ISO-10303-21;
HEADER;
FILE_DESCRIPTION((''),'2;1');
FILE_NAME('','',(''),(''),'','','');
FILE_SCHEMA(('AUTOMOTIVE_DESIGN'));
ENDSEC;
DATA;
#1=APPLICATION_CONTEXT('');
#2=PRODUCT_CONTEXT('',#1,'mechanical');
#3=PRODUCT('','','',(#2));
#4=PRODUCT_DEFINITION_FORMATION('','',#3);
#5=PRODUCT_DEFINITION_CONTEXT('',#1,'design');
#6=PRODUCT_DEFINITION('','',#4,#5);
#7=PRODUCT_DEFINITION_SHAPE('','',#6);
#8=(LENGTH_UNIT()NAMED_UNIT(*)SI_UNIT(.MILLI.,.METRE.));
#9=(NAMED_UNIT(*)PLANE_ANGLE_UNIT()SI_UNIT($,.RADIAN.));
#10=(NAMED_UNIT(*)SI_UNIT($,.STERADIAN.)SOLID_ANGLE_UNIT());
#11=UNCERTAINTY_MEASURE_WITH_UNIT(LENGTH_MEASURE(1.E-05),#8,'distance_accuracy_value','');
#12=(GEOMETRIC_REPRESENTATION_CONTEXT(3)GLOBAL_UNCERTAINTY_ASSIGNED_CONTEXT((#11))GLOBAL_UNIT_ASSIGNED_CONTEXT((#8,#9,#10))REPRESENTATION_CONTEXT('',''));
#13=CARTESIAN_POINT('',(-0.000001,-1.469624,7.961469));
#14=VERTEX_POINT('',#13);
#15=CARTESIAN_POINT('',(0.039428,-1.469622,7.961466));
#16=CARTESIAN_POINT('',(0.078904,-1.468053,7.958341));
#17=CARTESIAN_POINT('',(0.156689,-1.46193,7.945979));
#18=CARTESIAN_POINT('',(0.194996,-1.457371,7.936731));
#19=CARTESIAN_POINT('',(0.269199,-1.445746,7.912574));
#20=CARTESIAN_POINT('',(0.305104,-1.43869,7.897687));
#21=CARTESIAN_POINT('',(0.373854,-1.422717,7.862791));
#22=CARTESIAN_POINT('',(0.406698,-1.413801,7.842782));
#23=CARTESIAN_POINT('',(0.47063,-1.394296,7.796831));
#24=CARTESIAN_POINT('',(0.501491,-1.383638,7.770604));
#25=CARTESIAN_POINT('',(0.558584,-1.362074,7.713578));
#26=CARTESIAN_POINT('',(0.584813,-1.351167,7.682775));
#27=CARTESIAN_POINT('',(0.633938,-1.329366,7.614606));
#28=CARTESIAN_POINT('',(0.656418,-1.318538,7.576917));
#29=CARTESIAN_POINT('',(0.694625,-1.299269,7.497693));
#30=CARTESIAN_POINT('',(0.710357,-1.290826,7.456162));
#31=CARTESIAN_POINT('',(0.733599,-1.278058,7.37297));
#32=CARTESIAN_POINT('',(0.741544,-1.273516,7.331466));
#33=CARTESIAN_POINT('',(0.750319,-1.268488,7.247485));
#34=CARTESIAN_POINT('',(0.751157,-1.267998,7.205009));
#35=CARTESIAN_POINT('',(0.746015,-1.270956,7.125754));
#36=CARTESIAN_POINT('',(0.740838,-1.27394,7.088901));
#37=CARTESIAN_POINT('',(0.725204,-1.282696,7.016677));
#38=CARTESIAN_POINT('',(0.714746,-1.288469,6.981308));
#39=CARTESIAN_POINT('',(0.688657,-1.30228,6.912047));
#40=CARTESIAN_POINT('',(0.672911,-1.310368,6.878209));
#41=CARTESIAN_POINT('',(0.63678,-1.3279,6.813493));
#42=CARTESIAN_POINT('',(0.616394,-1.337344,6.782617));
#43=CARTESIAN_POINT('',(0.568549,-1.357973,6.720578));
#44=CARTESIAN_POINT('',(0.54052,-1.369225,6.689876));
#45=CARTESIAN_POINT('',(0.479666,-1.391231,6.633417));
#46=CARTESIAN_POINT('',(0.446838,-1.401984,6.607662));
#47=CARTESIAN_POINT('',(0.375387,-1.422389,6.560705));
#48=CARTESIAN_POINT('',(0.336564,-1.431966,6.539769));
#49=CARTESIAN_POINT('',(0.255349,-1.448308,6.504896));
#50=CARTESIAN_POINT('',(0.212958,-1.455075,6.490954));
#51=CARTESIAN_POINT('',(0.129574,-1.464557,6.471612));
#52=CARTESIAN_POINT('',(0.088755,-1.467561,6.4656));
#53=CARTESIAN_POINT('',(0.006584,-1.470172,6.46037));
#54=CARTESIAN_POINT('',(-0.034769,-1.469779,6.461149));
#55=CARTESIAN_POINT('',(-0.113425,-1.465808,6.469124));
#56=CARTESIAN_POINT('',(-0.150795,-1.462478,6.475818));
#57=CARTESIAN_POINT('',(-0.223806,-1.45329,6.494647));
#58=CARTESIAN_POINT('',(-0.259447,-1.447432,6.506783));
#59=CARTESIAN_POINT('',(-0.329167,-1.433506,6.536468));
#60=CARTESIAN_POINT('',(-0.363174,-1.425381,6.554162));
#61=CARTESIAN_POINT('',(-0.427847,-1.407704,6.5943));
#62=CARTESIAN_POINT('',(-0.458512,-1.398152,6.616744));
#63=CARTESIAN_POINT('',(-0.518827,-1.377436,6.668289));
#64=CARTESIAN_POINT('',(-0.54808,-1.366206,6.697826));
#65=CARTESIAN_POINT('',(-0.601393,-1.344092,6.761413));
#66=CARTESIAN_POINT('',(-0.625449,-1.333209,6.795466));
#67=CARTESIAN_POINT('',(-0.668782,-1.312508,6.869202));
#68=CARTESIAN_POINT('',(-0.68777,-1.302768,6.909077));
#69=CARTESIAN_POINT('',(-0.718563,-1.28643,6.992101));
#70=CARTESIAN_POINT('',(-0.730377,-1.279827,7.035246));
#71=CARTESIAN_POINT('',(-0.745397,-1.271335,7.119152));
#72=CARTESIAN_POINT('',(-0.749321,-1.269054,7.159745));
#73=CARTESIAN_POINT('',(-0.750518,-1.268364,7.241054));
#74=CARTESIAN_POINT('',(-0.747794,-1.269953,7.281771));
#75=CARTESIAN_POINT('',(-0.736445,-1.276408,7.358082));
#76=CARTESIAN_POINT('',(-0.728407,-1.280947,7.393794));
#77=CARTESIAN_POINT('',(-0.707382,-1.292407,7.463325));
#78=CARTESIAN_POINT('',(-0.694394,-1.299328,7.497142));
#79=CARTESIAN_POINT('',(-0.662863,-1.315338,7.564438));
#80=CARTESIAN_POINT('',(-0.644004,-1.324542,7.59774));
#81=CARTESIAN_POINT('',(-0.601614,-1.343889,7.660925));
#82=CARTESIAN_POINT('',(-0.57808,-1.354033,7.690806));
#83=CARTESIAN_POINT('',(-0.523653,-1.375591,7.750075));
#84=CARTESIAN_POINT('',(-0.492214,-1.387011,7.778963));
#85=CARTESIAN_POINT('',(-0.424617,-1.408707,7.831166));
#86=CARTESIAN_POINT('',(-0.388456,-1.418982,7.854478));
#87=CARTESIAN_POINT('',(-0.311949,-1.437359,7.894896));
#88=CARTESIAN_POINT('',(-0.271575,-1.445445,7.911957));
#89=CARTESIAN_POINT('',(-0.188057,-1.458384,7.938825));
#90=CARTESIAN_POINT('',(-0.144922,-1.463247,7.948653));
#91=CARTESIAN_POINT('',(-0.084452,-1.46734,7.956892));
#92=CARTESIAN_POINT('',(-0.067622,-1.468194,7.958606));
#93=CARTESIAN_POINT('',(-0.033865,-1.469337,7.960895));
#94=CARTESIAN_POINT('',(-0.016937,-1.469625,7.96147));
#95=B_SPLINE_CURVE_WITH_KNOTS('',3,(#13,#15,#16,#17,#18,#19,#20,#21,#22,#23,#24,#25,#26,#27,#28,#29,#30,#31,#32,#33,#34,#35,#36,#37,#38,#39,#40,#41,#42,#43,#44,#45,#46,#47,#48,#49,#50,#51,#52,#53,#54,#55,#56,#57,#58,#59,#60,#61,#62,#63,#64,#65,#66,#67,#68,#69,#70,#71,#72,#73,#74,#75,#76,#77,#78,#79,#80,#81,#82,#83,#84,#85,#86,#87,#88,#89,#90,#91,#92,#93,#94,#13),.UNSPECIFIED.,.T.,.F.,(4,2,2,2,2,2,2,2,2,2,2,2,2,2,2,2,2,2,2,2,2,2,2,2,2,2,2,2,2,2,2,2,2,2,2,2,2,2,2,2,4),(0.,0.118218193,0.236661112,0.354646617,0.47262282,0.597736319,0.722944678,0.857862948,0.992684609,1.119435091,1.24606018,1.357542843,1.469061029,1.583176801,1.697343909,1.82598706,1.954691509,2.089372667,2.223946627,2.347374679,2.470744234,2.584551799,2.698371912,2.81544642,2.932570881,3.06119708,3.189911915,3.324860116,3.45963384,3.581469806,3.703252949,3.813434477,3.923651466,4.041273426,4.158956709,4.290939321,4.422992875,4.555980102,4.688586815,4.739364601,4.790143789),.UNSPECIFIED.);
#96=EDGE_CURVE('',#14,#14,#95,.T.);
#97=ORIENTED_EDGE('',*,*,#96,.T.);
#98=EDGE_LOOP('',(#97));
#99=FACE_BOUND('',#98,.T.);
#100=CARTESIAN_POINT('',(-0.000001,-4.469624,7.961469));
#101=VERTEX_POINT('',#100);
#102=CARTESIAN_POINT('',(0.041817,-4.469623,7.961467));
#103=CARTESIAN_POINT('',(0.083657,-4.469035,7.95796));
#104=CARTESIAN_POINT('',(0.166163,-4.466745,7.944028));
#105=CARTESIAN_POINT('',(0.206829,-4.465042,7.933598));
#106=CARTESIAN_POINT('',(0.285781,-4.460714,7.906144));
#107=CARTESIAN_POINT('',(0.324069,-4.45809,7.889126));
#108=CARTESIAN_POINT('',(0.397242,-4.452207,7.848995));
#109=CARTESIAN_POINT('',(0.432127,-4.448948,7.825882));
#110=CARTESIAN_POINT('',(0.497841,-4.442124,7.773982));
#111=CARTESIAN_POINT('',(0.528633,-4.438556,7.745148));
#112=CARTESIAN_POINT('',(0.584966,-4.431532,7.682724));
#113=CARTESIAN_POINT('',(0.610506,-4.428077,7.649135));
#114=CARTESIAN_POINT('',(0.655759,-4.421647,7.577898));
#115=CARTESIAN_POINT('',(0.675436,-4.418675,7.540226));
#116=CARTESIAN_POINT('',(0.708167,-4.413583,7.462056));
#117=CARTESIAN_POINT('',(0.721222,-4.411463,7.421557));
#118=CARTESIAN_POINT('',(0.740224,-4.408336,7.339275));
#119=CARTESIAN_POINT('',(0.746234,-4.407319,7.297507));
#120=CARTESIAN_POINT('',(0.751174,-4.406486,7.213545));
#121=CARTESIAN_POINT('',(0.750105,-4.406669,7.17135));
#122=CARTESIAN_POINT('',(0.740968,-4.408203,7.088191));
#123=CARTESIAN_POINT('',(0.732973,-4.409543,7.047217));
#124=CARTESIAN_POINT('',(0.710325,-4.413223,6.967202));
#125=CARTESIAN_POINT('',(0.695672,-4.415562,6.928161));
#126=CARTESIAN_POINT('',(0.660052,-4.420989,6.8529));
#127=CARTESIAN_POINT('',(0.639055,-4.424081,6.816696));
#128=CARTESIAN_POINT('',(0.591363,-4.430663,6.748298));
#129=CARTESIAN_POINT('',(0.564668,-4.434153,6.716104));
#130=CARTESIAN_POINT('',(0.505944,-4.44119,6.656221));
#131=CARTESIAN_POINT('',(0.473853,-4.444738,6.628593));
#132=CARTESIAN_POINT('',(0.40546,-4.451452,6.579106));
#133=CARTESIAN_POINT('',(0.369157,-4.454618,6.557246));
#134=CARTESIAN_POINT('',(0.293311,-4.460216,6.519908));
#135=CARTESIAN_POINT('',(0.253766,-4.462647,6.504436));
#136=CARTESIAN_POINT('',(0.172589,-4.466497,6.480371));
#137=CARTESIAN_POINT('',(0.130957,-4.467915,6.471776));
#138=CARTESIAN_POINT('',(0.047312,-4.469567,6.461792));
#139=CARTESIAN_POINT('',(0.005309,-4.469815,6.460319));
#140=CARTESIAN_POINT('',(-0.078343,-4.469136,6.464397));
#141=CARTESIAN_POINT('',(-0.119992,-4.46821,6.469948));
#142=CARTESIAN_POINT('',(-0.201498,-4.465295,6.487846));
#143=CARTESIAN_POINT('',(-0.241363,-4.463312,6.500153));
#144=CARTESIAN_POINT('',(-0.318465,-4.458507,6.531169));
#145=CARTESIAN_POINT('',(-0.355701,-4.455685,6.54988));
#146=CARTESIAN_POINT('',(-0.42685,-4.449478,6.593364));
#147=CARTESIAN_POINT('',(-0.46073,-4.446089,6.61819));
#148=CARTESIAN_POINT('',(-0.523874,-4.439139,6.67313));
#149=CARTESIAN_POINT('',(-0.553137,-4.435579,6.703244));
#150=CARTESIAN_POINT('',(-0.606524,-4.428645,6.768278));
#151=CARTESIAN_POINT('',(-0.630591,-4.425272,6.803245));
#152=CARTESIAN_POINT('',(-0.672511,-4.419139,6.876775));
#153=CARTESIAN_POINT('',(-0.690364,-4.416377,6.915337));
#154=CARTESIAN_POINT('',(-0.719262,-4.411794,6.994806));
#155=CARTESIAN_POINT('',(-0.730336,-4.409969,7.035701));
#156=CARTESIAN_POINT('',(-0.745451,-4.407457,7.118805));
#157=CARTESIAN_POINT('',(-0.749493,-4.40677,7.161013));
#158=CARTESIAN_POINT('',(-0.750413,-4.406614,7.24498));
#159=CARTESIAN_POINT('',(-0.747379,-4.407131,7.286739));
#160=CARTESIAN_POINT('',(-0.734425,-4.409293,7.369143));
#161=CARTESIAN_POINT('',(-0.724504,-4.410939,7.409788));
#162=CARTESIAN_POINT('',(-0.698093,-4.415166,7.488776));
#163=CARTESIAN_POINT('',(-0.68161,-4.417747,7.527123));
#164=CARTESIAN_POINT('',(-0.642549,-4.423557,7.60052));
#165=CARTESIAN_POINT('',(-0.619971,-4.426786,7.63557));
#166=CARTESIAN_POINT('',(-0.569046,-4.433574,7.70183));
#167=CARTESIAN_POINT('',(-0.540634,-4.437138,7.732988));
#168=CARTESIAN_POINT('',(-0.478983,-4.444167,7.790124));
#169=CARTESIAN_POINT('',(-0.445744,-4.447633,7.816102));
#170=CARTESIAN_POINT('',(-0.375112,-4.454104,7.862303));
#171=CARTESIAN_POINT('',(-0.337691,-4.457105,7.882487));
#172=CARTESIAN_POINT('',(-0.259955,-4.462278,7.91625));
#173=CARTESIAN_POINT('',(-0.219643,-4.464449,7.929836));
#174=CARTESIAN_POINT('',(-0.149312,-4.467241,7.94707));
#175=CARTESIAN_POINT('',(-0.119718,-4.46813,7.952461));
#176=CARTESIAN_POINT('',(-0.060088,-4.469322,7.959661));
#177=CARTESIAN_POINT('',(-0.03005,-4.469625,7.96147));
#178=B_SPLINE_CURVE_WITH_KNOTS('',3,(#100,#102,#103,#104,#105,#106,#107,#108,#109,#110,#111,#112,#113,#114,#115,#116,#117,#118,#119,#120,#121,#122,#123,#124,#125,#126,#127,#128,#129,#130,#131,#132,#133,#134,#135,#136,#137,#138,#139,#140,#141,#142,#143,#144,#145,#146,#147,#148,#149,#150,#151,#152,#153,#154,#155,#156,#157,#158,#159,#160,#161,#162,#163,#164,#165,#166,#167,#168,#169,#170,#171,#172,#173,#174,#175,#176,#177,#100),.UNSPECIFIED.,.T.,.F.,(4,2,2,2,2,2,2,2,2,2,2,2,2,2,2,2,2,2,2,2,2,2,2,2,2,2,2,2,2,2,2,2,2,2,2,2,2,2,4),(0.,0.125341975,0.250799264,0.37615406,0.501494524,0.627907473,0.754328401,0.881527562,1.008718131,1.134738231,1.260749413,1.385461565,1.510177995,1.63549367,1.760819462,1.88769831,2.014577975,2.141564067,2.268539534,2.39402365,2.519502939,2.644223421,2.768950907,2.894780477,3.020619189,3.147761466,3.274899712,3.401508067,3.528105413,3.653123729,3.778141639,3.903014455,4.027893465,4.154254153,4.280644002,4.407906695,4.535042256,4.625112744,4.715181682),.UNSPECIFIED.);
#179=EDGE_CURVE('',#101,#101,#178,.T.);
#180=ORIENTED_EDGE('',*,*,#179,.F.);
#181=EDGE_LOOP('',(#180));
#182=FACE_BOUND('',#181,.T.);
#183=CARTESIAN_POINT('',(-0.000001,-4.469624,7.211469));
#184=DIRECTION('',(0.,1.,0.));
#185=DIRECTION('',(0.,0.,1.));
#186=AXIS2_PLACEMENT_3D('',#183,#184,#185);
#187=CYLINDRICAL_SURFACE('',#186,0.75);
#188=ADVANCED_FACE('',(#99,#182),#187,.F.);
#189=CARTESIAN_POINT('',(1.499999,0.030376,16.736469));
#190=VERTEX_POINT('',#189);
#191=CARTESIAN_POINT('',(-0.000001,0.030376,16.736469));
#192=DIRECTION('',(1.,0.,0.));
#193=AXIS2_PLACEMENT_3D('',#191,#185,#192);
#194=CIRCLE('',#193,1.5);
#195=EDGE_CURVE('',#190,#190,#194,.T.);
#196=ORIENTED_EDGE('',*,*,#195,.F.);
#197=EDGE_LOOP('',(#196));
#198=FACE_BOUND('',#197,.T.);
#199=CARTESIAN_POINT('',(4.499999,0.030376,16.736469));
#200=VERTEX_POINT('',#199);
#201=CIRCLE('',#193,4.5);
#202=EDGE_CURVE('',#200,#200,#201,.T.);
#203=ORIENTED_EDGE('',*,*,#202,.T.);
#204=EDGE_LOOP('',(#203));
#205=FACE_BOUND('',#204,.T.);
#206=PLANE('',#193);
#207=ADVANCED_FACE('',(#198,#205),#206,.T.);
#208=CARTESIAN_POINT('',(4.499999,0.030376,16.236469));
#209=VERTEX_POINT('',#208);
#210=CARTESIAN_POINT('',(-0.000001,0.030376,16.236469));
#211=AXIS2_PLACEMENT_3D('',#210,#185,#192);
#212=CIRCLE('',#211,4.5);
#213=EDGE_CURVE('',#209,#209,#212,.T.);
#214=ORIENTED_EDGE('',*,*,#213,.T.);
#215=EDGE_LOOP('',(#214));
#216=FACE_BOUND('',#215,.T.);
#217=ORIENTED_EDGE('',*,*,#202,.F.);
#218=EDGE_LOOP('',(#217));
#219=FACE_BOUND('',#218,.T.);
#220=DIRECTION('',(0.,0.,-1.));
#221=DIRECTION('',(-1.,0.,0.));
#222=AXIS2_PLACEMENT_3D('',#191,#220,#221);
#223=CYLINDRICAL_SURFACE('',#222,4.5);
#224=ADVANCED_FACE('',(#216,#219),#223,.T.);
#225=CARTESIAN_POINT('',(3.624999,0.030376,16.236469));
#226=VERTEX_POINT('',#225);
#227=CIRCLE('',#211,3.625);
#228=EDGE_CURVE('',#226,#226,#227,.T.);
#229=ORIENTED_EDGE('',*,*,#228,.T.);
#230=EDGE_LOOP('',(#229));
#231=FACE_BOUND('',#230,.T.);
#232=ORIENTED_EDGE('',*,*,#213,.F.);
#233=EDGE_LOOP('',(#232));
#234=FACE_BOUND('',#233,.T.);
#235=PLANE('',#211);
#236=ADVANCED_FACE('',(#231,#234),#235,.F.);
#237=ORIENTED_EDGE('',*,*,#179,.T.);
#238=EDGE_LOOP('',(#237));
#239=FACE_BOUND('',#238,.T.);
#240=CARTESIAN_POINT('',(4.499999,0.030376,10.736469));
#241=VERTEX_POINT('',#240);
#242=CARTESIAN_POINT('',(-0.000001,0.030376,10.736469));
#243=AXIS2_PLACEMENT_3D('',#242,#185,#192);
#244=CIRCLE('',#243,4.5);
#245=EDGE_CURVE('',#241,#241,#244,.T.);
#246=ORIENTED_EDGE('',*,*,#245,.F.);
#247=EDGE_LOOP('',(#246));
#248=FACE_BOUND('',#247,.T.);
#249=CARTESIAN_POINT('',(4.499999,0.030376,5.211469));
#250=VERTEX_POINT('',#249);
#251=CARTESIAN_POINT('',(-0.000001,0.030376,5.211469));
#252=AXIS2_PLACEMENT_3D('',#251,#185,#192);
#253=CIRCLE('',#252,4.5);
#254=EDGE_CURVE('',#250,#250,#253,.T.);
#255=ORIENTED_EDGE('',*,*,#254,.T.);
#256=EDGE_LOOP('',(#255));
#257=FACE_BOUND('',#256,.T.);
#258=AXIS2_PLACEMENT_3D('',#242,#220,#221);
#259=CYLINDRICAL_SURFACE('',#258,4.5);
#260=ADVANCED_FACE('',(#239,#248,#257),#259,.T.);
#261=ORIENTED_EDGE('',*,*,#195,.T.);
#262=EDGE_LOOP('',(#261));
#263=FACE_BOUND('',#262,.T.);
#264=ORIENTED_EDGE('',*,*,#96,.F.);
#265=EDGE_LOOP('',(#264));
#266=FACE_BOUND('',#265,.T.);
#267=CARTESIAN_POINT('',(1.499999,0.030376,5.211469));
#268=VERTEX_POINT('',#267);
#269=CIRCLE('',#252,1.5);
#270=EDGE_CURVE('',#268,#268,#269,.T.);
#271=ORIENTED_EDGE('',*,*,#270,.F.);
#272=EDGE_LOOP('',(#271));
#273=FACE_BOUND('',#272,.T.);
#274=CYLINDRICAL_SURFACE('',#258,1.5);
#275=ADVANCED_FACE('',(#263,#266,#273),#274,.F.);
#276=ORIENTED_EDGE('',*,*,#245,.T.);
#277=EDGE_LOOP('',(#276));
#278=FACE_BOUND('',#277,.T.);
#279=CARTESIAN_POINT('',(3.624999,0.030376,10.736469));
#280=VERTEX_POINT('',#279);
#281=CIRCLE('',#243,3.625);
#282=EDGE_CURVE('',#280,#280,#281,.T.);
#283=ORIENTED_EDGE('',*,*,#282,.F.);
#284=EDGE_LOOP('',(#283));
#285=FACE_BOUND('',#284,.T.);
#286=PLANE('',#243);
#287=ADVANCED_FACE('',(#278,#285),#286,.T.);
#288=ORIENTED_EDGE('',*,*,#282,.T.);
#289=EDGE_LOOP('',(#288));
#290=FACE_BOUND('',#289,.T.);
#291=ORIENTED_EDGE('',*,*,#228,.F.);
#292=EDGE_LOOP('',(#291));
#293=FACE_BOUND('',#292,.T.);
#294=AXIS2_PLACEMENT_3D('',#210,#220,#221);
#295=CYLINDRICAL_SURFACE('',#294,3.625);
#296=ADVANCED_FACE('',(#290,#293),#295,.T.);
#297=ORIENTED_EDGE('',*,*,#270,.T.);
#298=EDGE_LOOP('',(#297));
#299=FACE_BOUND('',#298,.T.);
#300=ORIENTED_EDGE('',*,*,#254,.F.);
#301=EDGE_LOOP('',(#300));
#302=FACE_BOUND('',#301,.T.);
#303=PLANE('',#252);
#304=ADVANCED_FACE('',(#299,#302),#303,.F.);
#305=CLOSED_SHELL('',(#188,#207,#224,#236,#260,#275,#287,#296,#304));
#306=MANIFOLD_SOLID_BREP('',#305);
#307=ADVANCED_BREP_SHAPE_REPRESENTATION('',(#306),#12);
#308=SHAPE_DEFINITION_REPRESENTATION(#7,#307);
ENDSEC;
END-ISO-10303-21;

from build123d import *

# Parameters (mm, degrees)
SKETCH1_R           = 9
SKETCH1_R_2         = 3
BOSS_EXTRUDE1_DEPTH = 11.05
SKETCH2_R           = 7.25
SKETCH2_R_2         = 3
BOSS_EXTRUDE2_DEPTH = 11
SKETCH3_R           = 9
SKETCH3_R_2         = 3
BOSS_EXTRUDE3_DEPTH = 1
SKETCH4_R           = 1.5
CUT_EXTRUDE1_DEPTH  = 27.330638048
ECHELLE1_SCALE      = 2
ECHELLE2_SCALE      = 0.25


with BuildPart() as part:
    # Sketch1 → Boss-Extrude1 (new body)
    with BuildSketch(Plane.XY):
        Circle(SKETCH1_R)
        Circle(SKETCH1_R_2, mode=Mode.SUBTRACT)
    extrude(amount=BOSS_EXTRUDE1_DEPTH)

    # Sketch2 → Boss-Extrude2 (add)
    with BuildSketch(Plane.XY.offset(11.05)):
        Circle(SKETCH2_R)
        Circle(SKETCH2_R_2, mode=Mode.SUBTRACT)
    extrude(amount=BOSS_EXTRUDE2_DEPTH)

    # Sketch3 → Boss-Extrude3 (add)
    with BuildSketch(Plane.XY.offset(22.05)):
        Circle(SKETCH3_R)
        Circle(SKETCH3_R_2, mode=Mode.SUBTRACT)
    extrude(amount=BOSS_EXTRUDE3_DEPTH)

    # Sketch4 → Cut-Extrude1 (cut, through all)
    with BuildSketch(Plane(origin=(0, 0, 0), x_dir=(1, 0, 0), z_dir=(0, 1, 0))):
        with Locations(Location((0, -4, 0), (0, 0, 270))):
            Circle(SKETCH4_R)
    extrude(amount=-CUT_EXTRUDE1_DEPTH, mode=Mode.SUBTRACT)


with BuildPart() as part_1:
    # Echelle1: scaled about (3.613e-06, 0.060757241, 10.422968187)
    add(part.part.scale(ECHELLE1_SCALE).moved(Location((-3.613e-06, -0.060757241, -10.422968187))))


with BuildPart() as part_2:
    # Echelle2: scaled about (3.614e-06, 0.060757242, 10.422968188)
    add(part_1.part.scale(ECHELLE2_SCALE).moved(Location((2.711e-06, 0.045567932, 7.817226141))))


solid = part_2.part
